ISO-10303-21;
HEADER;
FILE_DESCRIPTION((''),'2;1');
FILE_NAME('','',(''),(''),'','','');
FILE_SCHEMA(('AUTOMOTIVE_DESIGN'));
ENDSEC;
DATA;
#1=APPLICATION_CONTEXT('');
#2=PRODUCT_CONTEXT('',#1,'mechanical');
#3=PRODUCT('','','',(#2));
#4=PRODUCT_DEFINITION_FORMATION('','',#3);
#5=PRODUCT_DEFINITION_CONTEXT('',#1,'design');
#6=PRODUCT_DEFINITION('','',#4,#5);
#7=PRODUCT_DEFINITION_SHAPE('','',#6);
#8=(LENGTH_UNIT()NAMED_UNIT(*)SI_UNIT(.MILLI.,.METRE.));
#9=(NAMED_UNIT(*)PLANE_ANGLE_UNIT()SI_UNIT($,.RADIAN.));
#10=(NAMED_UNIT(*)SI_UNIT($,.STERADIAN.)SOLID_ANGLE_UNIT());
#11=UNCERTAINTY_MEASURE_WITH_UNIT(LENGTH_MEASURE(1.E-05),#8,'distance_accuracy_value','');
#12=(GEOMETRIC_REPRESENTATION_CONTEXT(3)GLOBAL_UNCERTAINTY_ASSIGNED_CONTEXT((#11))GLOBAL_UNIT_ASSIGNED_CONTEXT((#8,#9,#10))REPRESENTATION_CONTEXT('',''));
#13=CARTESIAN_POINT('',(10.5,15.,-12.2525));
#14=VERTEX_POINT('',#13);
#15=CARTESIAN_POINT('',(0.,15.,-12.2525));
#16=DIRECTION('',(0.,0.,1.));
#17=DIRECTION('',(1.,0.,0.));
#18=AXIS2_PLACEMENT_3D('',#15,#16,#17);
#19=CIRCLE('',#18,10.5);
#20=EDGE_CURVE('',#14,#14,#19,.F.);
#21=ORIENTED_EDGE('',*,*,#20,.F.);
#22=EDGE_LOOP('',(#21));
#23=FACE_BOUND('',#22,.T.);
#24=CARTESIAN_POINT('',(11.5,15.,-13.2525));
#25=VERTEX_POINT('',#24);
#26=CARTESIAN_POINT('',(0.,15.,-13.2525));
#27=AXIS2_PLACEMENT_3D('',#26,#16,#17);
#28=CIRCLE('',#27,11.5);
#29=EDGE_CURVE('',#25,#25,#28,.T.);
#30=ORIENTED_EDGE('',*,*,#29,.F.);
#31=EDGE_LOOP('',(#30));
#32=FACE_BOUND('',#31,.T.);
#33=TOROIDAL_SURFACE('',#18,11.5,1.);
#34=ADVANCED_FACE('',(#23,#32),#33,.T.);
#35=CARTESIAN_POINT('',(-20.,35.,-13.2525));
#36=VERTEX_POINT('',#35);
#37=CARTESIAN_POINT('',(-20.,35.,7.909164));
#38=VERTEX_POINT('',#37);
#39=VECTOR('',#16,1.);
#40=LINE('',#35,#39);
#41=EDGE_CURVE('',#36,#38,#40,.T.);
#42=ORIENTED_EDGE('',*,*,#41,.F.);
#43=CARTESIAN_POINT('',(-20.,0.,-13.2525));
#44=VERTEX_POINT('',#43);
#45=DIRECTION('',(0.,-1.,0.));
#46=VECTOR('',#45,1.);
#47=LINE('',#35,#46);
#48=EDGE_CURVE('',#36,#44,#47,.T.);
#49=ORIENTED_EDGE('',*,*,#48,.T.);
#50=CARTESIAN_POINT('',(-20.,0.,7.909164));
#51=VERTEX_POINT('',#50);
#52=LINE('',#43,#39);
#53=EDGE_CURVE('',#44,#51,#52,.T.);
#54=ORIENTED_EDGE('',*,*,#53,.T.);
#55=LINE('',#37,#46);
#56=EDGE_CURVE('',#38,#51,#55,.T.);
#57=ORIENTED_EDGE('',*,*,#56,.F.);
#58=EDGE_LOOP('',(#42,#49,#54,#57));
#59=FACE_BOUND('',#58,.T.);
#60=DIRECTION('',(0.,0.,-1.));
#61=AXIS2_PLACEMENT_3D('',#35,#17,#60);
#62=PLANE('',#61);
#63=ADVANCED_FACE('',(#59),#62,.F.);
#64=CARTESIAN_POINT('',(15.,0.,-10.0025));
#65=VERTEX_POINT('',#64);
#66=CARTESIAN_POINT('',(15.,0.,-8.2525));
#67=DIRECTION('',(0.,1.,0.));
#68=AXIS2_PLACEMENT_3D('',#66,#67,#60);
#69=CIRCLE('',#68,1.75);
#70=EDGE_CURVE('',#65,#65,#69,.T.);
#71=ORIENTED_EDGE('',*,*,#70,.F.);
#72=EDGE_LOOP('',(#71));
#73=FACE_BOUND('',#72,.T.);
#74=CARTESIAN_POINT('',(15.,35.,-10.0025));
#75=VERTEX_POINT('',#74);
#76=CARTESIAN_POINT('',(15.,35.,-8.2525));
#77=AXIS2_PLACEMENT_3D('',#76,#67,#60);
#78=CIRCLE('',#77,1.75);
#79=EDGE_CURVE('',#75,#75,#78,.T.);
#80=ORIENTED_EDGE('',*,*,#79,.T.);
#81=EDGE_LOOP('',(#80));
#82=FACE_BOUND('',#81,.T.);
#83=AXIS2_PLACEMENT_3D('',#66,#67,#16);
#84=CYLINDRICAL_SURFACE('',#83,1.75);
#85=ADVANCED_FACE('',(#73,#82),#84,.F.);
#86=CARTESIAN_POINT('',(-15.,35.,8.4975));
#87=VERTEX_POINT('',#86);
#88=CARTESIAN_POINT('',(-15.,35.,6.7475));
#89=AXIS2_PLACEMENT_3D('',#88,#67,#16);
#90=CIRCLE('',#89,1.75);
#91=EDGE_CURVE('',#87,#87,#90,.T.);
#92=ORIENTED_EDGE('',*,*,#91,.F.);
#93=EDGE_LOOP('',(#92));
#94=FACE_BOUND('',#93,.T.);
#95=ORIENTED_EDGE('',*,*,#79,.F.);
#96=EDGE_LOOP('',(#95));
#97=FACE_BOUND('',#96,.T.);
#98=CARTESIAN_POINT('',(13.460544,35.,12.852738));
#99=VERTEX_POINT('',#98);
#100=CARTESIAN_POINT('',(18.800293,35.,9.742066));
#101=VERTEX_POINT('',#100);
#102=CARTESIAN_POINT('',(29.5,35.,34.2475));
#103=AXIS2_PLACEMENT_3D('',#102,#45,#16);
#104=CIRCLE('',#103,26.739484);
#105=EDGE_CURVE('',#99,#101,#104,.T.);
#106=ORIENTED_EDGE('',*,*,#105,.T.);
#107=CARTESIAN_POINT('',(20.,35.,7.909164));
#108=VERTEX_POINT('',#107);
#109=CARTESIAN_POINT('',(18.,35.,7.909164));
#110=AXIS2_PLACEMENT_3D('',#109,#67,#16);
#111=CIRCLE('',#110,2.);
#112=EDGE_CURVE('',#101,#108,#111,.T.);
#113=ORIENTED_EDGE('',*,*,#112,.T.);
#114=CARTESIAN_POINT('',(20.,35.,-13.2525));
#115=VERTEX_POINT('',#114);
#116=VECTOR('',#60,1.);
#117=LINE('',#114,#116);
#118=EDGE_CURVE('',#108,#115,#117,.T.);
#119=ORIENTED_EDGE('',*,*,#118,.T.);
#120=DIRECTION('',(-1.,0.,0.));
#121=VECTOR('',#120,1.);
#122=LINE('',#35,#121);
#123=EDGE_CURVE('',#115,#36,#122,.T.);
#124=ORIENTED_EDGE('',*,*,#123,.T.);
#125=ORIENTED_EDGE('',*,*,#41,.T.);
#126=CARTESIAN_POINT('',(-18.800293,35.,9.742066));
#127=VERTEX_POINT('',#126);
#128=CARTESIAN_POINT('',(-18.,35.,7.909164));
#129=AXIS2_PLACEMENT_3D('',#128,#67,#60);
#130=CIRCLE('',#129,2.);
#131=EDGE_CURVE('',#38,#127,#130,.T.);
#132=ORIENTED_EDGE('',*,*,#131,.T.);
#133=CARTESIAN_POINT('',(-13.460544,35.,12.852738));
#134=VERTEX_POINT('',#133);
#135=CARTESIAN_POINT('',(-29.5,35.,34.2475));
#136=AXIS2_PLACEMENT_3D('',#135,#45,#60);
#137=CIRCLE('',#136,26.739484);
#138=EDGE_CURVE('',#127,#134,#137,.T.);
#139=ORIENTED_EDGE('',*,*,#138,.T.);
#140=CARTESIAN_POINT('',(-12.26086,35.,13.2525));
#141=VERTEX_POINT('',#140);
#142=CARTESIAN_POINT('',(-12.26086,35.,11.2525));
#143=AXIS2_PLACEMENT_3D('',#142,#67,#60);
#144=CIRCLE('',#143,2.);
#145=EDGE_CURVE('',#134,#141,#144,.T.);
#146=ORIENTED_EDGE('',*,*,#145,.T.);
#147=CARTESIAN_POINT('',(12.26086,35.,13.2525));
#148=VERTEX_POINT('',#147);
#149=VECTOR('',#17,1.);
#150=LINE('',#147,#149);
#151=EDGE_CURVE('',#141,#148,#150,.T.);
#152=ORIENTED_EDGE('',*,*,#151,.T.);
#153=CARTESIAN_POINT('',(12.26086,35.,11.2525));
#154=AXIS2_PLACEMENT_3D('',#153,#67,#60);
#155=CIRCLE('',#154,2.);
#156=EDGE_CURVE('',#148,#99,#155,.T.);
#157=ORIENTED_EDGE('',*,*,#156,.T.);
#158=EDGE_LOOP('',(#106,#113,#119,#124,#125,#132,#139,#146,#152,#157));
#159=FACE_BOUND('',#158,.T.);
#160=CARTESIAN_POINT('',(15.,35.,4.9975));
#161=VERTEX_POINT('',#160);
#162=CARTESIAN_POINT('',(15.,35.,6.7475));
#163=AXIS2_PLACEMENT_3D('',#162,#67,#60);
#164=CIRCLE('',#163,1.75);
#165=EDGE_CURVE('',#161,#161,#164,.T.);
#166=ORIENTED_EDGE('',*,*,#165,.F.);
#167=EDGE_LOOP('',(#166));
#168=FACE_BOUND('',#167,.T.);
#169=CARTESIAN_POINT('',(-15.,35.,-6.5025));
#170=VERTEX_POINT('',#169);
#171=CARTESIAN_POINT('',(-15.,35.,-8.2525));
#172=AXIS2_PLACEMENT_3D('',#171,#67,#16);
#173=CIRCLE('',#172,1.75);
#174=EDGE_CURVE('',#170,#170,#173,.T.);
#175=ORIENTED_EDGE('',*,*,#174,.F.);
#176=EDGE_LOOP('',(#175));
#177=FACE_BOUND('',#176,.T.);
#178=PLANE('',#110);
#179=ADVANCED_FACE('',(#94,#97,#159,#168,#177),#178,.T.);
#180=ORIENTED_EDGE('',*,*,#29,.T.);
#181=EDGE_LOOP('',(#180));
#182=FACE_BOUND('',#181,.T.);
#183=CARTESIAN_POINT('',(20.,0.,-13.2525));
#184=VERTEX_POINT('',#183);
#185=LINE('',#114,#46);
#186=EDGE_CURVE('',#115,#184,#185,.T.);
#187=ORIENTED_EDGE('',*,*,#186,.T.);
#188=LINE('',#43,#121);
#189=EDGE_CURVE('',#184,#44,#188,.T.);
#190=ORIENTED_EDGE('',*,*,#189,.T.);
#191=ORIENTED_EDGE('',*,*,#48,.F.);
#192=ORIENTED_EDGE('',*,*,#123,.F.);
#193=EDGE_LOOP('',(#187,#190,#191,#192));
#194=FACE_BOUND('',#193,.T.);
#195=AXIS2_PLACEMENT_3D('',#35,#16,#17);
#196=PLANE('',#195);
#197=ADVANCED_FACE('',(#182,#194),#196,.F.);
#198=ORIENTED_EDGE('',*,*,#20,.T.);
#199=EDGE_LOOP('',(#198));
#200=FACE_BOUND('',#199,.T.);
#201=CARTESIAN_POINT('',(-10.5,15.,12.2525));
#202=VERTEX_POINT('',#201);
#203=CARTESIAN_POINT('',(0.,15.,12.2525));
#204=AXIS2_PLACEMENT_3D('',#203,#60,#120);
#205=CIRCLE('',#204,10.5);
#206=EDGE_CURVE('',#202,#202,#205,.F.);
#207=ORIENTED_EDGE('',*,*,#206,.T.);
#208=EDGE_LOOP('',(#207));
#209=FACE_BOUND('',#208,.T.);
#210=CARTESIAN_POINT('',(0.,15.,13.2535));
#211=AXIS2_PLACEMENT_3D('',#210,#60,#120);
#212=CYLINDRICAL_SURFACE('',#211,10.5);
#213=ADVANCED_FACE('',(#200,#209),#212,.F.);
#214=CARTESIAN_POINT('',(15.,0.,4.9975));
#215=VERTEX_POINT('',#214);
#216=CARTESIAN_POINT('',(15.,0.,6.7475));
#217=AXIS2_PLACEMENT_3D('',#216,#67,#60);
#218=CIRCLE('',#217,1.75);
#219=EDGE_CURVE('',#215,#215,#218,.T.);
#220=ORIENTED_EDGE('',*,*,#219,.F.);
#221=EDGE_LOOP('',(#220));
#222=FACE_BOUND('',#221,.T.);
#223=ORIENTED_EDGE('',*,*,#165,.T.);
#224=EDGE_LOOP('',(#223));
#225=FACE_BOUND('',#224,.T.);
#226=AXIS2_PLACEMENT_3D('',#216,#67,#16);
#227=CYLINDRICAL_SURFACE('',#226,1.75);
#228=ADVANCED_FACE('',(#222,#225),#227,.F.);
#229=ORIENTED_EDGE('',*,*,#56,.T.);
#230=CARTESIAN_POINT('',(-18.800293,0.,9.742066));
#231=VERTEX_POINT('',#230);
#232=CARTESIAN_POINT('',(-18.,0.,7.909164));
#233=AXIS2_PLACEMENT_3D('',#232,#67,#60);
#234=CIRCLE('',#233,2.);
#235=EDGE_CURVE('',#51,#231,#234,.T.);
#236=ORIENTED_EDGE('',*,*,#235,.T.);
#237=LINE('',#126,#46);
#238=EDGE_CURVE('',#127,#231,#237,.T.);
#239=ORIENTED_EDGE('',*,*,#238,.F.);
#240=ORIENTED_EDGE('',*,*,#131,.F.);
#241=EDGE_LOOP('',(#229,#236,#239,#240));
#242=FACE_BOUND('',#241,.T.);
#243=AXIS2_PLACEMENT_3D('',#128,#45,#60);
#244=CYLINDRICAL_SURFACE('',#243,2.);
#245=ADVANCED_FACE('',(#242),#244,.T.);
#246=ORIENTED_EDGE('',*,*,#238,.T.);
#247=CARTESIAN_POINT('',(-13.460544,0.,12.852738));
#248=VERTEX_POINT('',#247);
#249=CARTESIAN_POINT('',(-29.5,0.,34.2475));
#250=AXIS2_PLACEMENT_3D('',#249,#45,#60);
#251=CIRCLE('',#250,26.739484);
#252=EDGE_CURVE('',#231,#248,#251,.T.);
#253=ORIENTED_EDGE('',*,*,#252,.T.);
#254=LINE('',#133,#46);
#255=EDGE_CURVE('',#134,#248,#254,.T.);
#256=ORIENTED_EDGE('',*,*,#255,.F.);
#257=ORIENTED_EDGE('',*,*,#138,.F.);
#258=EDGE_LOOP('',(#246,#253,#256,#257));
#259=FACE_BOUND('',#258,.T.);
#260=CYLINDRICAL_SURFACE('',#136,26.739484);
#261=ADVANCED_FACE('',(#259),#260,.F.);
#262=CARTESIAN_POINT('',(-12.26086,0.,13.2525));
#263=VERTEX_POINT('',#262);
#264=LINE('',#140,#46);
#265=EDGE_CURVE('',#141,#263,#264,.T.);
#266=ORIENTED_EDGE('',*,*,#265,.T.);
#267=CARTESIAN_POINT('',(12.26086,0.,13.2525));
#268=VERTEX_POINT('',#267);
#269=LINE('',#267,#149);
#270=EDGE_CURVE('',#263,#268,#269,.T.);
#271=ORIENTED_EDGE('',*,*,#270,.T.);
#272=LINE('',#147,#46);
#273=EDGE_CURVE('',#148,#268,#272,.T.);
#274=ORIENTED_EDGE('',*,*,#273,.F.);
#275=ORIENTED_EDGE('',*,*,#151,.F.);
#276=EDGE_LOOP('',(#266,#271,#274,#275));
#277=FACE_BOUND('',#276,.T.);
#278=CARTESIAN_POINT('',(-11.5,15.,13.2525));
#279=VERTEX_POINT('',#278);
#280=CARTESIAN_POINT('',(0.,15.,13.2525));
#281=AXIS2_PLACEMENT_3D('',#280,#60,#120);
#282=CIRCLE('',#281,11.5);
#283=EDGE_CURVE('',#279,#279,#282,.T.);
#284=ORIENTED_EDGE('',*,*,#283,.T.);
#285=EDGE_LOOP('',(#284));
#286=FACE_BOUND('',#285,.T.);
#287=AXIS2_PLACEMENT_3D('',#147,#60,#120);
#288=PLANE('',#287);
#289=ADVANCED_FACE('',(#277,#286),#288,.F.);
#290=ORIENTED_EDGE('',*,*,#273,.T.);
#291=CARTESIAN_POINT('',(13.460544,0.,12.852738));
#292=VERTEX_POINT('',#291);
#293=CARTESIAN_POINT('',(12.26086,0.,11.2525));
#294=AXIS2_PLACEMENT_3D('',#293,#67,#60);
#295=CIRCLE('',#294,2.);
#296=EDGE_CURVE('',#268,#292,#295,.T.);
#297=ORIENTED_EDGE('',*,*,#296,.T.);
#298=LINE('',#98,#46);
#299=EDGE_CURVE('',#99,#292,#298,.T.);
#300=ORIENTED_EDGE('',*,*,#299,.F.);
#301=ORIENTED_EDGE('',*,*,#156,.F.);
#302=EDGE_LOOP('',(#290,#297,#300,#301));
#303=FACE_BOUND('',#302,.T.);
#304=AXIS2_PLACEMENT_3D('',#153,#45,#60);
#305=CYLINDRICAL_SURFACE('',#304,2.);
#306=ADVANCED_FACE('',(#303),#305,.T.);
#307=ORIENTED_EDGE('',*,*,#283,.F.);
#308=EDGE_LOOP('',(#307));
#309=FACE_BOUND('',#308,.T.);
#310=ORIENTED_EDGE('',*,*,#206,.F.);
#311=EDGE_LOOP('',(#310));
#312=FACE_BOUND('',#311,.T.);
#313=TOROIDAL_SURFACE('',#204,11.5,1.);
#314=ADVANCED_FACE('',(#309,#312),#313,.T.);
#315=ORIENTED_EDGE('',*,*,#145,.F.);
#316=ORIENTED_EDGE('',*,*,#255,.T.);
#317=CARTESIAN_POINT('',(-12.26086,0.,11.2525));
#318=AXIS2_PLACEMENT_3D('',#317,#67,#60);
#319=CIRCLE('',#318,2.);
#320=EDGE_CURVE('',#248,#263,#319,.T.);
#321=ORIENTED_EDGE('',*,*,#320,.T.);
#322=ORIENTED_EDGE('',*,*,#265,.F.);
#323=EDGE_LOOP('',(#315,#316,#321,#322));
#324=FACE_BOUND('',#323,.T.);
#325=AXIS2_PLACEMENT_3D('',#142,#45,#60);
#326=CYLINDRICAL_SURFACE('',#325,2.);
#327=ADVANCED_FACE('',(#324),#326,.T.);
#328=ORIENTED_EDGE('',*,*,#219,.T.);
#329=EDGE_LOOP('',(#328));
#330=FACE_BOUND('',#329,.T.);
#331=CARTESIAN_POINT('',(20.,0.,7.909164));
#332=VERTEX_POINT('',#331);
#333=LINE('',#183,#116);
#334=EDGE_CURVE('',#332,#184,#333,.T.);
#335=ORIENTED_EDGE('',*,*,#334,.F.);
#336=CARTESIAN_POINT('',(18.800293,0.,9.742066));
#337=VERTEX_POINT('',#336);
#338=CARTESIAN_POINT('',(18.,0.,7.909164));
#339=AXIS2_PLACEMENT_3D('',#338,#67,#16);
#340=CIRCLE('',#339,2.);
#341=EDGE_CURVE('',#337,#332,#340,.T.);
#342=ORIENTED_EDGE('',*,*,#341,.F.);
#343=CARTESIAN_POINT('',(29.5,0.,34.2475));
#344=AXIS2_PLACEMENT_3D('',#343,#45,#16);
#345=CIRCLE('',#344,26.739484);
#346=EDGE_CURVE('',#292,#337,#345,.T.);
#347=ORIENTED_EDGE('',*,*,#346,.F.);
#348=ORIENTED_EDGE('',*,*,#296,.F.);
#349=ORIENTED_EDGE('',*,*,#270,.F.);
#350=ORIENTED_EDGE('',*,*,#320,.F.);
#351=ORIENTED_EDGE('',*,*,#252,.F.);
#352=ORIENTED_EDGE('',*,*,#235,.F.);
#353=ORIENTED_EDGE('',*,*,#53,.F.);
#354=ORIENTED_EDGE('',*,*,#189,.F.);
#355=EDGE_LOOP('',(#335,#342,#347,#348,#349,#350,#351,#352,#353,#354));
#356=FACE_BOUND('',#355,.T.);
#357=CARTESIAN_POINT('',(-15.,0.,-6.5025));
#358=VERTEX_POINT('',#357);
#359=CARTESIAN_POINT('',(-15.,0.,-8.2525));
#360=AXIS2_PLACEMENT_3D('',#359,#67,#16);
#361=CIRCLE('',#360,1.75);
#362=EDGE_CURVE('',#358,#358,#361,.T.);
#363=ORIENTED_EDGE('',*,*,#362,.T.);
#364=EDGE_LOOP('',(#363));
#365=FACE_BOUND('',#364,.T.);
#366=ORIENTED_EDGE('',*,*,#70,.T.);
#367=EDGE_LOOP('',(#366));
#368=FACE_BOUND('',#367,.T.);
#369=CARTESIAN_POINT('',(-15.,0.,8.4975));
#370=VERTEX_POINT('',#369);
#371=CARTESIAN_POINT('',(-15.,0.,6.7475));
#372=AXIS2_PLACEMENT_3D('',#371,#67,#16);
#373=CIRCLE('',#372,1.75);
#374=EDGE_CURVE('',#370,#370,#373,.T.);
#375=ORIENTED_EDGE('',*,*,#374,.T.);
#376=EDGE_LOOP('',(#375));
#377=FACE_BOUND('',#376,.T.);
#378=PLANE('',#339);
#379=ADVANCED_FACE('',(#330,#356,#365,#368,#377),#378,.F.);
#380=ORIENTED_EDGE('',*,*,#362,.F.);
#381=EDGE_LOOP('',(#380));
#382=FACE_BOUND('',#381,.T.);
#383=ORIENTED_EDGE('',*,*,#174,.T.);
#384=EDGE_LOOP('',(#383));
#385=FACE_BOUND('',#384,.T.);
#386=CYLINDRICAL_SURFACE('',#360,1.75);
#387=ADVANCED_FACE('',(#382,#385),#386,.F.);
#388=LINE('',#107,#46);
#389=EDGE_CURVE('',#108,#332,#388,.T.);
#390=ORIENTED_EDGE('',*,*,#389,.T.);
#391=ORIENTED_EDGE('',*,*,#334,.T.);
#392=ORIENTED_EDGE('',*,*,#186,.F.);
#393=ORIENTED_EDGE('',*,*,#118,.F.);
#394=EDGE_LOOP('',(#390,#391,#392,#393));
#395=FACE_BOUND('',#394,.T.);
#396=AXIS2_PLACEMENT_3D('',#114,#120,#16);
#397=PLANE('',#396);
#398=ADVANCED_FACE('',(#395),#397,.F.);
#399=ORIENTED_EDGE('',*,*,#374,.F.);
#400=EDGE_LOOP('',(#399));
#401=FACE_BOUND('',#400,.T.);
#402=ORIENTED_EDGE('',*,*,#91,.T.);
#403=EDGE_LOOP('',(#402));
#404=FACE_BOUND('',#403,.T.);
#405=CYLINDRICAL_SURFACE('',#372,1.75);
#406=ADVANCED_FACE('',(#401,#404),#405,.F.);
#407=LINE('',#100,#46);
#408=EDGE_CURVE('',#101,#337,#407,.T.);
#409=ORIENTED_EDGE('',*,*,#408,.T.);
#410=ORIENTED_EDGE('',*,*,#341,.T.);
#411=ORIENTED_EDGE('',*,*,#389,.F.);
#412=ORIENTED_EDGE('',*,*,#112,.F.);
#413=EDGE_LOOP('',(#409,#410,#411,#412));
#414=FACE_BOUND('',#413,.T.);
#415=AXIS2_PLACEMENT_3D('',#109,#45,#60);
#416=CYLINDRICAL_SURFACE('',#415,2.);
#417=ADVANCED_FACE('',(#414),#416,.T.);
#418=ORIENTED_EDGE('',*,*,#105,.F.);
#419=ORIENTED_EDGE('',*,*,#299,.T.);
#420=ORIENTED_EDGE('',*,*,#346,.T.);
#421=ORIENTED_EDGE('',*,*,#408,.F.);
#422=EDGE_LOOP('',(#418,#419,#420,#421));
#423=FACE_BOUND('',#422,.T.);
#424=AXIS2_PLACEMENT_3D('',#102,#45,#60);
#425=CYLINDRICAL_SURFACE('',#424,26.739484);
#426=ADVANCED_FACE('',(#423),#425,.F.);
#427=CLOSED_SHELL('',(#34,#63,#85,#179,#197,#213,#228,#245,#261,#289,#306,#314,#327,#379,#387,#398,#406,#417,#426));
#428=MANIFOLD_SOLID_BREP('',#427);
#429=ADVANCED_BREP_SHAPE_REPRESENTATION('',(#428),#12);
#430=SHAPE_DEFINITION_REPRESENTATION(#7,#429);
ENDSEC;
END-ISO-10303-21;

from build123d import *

# Parameters (mm, degrees)
F_35MM_DEPTH          = 35
CUT_EXTRUDE_1_REACH   = 50.244
SKETCH_2_R            = 10.5
FILLET_1_R            = 1
SKETCH_3_R            = 1.75
CUT_EXTRUDE_3_1_DEPTH = 35


with BuildPart() as part:
    # 草图1 → 高35mm (new body)
    with BuildSketch(Plane(origin=(0, 0, 0), x_dir=(1, 0, 0), z_dir=(0, 1, 0))):
        with BuildLine():
            Line((-20, 13.25250025), (-20, -7.909163894))
            ThreePointArc((-20, -7.909163894), (-19.67340752, -9.004475389), (-18.800292729, -9.742066387))
            ThreePointArc((-18.800292729, -9.742066387), (-16.040253129, -11.142625499), (-13.460543724, -12.852737719))
            ThreePointArc((-13.460543724, -12.852737719), (-12.893128183, -13.149929424), (-12.260860414, -13.25250025))
            Line((-12.260860414, -13.25250025), (12.260860414, -13.25250025))
            ThreePointArc((12.260860414, -13.25250025), (12.893128183, -13.149929424), (13.460543724, -12.852737719))
            ThreePointArc((13.460543724, -12.852737719), (16.040253129, -11.142625499), (18.800292729, -9.742066387))
            ThreePointArc((18.800292729, -9.742066387), (19.67340752, -9.004475389), (20, -7.909163894))
            Line((20, -7.909163894), (20, 13.25250025))
            Line((20, 13.25250025), (-20, 13.25250025))
        make_face()
    extrude(amount=F_35MM_DEPTH)

    # 草图2 → 切除-拉伸1 (cut, up to next)
    with BuildSketch(Plane(origin=(0, 0, -13.25250025), x_dir=(-1, 0, 0), z_dir=(0, 0, -1)), mode=Mode.PRIVATE) as cut_extrude_1_sk1:
        with Locations((0, 15)):
            Circle(SKETCH_2_R)
    cut_extrude_1_tool1 = extrude(cut_extrude_1_sk1.sketch, amount=-CUT_EXTRUDE_1_REACH, mode=Mode.PRIVATE) & part.part
    add(cut_extrude_1_tool1.solids().sort_by_distance((0, 15, -13.2525))[0], mode=Mode.SUBTRACT)

    # 圆角1
    fillet_1_edges = [part.edges().sort_by_distance(p)[0] for p in [
        (10.5, 15, -13.25250025),
        (10.5, 15, 13.25250025),
    ]]
    fillet(fillet_1_edges, radius=FILLET_1_R)

    # 草图3 → φ3.1通孔 (cut)
    with BuildSketch(Plane(origin=(0, 35, 0), x_dir=(1, 0, 0), z_dir=(0, 1, 0))):
        with Locations(Location((-15, 8.25250025, 0), (0, 0, 270))):
            Circle(SKETCH_3_R)
        with Locations(Location((-15, -6.74749975, 0), (0, 0, 270))):
            Circle(SKETCH_3_R)
        with Locations(Location((15, -6.74749975, 0), (0, 0, 90))):
            Circle(SKETCH_3_R)
        with Locations(Location((15, 8.25250025, 0), (0, 0, 90))):
            Circle(SKETCH_3_R)
    extrude(amount=-CUT_EXTRUDE_3_1_DEPTH, mode=Mode.SUBTRACT)


solid = part.part
